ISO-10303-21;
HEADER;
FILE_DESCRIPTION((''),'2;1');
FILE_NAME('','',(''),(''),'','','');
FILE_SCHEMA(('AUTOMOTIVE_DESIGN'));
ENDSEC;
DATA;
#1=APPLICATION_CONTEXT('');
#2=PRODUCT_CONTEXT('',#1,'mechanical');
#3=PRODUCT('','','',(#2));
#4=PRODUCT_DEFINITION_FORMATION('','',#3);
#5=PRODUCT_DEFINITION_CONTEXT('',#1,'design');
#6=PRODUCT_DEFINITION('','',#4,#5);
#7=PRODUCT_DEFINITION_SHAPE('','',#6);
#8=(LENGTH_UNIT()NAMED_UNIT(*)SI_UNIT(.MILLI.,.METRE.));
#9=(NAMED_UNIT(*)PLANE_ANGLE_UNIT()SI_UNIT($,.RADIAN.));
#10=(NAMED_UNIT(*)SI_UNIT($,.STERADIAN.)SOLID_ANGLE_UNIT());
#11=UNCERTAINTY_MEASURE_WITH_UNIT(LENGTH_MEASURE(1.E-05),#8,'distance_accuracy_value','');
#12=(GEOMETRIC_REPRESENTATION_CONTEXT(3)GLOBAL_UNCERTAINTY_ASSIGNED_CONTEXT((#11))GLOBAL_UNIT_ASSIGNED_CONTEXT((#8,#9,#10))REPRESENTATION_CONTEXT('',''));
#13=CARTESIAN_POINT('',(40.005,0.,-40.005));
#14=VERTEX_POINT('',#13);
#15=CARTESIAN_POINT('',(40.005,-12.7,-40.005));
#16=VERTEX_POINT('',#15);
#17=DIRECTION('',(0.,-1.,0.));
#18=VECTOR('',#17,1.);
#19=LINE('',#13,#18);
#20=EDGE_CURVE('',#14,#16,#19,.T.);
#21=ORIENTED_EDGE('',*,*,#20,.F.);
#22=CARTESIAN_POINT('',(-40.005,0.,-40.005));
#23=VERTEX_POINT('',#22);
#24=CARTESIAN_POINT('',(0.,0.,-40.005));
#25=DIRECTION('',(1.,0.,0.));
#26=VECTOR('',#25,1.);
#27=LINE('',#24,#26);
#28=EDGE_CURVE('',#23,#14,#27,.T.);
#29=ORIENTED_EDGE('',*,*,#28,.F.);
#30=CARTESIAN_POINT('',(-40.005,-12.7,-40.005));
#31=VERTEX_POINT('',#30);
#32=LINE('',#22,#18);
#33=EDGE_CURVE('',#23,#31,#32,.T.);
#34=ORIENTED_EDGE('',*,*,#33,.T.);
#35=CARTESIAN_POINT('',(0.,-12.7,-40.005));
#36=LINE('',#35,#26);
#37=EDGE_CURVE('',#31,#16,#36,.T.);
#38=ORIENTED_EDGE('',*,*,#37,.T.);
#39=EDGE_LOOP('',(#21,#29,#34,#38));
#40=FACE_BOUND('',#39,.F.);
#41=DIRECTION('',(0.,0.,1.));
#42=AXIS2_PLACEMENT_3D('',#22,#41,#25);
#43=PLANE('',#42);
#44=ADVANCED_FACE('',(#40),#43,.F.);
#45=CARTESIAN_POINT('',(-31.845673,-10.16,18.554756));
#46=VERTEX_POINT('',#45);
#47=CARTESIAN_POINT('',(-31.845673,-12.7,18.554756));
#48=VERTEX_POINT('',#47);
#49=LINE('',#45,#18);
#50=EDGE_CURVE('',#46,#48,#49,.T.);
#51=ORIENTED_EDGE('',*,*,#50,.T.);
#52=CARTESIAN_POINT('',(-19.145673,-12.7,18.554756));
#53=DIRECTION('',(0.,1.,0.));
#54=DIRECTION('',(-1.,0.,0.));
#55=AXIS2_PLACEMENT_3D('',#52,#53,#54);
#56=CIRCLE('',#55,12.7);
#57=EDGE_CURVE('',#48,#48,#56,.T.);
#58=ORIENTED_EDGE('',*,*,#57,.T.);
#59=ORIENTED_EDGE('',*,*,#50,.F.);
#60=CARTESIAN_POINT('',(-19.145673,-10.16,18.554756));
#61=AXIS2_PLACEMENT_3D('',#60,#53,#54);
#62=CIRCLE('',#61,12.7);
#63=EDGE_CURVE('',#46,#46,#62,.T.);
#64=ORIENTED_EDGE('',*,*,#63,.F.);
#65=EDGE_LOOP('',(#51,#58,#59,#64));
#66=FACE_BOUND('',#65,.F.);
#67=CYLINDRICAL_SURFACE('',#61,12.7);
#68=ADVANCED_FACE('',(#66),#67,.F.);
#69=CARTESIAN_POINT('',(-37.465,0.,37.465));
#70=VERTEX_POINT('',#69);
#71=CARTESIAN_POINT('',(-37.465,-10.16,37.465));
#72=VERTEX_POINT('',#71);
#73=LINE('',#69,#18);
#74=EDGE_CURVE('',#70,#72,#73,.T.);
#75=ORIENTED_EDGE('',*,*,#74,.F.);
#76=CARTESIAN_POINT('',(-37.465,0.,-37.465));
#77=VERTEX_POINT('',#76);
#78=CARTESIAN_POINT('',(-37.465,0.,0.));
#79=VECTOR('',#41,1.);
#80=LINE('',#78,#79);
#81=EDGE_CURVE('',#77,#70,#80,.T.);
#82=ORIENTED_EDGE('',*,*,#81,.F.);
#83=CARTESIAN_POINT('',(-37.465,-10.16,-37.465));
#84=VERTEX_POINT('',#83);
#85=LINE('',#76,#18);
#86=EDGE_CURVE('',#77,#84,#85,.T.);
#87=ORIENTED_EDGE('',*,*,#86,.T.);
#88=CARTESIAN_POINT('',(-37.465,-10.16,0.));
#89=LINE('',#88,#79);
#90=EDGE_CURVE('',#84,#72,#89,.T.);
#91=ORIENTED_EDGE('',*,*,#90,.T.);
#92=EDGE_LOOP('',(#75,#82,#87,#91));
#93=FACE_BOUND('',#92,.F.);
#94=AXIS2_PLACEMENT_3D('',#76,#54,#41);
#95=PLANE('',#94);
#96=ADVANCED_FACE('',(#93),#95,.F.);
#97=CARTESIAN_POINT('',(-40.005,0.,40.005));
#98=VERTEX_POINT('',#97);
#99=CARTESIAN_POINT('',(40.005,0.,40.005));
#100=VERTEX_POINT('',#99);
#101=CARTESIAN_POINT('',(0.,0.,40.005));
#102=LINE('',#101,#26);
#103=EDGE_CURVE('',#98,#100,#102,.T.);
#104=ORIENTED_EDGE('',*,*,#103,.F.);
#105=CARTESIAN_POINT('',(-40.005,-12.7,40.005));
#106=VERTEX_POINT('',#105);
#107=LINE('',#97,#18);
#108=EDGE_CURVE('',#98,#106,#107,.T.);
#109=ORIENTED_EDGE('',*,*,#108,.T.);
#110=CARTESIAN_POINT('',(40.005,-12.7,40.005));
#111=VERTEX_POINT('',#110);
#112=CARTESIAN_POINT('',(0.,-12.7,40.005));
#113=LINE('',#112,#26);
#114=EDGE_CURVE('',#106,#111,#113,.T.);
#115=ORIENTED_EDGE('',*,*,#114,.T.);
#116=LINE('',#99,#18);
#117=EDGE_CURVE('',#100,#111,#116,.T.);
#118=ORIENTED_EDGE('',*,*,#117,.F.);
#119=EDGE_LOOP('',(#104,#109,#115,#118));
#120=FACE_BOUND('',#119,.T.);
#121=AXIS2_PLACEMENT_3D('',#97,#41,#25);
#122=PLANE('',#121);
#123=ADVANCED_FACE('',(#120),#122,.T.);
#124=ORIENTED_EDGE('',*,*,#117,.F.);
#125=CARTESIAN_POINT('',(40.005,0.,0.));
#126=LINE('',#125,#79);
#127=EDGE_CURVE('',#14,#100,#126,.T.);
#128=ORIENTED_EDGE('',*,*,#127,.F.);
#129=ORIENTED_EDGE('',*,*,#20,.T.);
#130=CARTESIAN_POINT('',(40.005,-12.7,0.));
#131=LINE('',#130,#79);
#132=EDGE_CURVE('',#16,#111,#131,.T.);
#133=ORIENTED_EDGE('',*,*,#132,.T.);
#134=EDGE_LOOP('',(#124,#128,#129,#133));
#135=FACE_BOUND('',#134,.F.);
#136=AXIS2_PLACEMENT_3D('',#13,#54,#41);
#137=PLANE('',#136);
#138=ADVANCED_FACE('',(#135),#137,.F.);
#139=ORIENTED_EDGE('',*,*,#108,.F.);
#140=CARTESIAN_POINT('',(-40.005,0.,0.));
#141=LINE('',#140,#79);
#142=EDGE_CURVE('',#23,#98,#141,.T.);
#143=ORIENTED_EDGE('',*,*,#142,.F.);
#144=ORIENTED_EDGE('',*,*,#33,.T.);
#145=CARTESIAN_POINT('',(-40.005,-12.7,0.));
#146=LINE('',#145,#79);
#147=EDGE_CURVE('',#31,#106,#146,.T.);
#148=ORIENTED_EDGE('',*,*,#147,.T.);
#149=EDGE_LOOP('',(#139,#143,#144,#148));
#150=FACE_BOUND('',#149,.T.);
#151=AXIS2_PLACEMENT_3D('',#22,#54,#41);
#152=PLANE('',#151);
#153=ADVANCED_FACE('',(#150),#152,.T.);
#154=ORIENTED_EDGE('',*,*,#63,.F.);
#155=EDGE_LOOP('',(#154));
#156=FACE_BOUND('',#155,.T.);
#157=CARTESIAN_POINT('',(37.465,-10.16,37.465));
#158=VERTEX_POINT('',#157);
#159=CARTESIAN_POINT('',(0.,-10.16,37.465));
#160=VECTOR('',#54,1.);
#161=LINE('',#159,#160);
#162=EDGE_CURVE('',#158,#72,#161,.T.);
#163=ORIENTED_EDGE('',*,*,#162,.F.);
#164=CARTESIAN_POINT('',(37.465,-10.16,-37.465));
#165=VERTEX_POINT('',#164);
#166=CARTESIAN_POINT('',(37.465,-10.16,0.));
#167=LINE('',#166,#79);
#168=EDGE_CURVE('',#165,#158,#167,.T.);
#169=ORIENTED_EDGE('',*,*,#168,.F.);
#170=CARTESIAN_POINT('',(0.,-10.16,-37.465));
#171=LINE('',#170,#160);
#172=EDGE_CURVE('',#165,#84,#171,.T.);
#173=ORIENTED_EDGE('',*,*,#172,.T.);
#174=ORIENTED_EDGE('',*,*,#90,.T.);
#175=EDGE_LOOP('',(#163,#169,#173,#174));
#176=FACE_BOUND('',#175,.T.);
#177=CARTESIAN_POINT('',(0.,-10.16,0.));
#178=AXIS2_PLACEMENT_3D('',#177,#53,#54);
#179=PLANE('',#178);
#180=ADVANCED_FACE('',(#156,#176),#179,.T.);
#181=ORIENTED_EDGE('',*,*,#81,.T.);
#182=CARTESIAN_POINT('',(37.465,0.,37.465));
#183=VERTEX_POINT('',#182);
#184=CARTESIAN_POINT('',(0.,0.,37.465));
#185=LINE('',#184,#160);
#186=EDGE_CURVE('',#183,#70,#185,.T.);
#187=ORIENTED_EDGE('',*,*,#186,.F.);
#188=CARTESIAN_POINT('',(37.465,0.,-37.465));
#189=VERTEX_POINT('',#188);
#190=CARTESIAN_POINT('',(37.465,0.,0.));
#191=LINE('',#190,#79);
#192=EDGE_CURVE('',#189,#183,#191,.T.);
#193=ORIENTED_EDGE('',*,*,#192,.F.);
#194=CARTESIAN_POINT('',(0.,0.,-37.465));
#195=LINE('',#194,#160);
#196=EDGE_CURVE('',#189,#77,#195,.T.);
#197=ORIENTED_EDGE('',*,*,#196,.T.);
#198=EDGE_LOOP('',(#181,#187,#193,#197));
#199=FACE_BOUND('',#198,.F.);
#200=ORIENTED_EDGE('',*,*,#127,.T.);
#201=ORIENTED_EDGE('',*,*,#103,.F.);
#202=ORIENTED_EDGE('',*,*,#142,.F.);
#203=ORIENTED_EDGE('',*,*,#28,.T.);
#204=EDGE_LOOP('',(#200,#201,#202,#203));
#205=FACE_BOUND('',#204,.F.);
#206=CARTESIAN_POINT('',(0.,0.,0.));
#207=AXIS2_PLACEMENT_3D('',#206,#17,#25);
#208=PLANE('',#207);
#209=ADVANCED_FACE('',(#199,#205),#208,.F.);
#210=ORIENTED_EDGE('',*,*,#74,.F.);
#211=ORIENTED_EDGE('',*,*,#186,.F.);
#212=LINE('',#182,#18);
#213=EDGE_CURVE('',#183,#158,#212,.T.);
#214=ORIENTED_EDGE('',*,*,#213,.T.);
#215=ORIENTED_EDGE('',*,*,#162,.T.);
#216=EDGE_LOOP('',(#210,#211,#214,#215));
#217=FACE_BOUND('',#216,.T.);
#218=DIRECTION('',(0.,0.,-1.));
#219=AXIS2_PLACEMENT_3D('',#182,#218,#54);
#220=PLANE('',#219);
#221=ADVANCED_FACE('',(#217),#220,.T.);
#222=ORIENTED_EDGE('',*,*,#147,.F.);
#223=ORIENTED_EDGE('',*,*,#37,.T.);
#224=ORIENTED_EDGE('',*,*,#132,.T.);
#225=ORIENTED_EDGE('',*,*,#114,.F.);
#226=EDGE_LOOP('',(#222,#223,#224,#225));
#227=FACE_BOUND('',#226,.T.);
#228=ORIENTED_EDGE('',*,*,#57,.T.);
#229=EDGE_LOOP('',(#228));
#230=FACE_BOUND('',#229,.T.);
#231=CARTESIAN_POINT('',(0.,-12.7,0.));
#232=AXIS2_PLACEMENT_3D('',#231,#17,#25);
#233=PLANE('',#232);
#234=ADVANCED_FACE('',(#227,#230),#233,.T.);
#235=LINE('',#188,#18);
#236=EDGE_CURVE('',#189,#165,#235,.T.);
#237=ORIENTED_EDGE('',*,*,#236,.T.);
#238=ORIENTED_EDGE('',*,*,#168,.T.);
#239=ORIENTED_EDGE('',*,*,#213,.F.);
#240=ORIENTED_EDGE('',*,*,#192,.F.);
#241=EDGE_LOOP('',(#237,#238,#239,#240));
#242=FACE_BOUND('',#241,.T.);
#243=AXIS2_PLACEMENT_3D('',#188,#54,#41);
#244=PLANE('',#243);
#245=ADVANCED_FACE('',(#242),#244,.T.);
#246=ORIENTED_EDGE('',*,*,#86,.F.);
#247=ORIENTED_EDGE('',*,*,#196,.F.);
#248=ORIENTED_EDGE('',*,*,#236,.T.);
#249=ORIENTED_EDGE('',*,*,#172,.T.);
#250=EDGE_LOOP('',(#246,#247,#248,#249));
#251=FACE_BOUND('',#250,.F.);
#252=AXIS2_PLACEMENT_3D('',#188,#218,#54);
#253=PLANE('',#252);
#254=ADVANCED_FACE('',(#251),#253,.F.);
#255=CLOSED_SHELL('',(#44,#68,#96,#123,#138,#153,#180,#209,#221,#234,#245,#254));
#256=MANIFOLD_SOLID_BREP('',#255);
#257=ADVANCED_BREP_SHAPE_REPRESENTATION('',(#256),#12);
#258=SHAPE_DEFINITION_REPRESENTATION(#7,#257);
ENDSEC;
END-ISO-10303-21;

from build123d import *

# Parameters (mm, degrees)
F0_W     = 80.01
F0_H     = 80.01
F1_DEPTH = 12.7
F2_W     = 74.93
F2_H     = 74.93
F3_DEPTH = 10.16
F4_R     = 12.7
F5_DEPTH = 25.4


with BuildPart() as f1:
    # F0 (on Front) → F1 (new body)
    with BuildSketch(Plane.XZ):
        Rectangle(F0_W, F0_H)
    extrude(amount=F1_DEPTH)

    # F2 (on face) → F3 (cut)
    with BuildSketch(Plane(origin=(0, 0, 0), x_dir=(-1, 0, 0), z_dir=(0, 1, 0))):
        Rectangle(F2_W, F2_H)
    extrude(amount=-F3_DEPTH, mode=Mode.SUBTRACT)

    # F4 (on face) → F5 (cut)
    with BuildSketch(Plane(origin=(0, -10.16, 0), x_dir=(-1, 0, 0), z_dir=(0, 1, 0))):
        with Locations((19.145673, 18.554756)):
            Circle(F4_R)
    extrude(amount=-F5_DEPTH, mode=Mode.SUBTRACT)


solid = f1.part
